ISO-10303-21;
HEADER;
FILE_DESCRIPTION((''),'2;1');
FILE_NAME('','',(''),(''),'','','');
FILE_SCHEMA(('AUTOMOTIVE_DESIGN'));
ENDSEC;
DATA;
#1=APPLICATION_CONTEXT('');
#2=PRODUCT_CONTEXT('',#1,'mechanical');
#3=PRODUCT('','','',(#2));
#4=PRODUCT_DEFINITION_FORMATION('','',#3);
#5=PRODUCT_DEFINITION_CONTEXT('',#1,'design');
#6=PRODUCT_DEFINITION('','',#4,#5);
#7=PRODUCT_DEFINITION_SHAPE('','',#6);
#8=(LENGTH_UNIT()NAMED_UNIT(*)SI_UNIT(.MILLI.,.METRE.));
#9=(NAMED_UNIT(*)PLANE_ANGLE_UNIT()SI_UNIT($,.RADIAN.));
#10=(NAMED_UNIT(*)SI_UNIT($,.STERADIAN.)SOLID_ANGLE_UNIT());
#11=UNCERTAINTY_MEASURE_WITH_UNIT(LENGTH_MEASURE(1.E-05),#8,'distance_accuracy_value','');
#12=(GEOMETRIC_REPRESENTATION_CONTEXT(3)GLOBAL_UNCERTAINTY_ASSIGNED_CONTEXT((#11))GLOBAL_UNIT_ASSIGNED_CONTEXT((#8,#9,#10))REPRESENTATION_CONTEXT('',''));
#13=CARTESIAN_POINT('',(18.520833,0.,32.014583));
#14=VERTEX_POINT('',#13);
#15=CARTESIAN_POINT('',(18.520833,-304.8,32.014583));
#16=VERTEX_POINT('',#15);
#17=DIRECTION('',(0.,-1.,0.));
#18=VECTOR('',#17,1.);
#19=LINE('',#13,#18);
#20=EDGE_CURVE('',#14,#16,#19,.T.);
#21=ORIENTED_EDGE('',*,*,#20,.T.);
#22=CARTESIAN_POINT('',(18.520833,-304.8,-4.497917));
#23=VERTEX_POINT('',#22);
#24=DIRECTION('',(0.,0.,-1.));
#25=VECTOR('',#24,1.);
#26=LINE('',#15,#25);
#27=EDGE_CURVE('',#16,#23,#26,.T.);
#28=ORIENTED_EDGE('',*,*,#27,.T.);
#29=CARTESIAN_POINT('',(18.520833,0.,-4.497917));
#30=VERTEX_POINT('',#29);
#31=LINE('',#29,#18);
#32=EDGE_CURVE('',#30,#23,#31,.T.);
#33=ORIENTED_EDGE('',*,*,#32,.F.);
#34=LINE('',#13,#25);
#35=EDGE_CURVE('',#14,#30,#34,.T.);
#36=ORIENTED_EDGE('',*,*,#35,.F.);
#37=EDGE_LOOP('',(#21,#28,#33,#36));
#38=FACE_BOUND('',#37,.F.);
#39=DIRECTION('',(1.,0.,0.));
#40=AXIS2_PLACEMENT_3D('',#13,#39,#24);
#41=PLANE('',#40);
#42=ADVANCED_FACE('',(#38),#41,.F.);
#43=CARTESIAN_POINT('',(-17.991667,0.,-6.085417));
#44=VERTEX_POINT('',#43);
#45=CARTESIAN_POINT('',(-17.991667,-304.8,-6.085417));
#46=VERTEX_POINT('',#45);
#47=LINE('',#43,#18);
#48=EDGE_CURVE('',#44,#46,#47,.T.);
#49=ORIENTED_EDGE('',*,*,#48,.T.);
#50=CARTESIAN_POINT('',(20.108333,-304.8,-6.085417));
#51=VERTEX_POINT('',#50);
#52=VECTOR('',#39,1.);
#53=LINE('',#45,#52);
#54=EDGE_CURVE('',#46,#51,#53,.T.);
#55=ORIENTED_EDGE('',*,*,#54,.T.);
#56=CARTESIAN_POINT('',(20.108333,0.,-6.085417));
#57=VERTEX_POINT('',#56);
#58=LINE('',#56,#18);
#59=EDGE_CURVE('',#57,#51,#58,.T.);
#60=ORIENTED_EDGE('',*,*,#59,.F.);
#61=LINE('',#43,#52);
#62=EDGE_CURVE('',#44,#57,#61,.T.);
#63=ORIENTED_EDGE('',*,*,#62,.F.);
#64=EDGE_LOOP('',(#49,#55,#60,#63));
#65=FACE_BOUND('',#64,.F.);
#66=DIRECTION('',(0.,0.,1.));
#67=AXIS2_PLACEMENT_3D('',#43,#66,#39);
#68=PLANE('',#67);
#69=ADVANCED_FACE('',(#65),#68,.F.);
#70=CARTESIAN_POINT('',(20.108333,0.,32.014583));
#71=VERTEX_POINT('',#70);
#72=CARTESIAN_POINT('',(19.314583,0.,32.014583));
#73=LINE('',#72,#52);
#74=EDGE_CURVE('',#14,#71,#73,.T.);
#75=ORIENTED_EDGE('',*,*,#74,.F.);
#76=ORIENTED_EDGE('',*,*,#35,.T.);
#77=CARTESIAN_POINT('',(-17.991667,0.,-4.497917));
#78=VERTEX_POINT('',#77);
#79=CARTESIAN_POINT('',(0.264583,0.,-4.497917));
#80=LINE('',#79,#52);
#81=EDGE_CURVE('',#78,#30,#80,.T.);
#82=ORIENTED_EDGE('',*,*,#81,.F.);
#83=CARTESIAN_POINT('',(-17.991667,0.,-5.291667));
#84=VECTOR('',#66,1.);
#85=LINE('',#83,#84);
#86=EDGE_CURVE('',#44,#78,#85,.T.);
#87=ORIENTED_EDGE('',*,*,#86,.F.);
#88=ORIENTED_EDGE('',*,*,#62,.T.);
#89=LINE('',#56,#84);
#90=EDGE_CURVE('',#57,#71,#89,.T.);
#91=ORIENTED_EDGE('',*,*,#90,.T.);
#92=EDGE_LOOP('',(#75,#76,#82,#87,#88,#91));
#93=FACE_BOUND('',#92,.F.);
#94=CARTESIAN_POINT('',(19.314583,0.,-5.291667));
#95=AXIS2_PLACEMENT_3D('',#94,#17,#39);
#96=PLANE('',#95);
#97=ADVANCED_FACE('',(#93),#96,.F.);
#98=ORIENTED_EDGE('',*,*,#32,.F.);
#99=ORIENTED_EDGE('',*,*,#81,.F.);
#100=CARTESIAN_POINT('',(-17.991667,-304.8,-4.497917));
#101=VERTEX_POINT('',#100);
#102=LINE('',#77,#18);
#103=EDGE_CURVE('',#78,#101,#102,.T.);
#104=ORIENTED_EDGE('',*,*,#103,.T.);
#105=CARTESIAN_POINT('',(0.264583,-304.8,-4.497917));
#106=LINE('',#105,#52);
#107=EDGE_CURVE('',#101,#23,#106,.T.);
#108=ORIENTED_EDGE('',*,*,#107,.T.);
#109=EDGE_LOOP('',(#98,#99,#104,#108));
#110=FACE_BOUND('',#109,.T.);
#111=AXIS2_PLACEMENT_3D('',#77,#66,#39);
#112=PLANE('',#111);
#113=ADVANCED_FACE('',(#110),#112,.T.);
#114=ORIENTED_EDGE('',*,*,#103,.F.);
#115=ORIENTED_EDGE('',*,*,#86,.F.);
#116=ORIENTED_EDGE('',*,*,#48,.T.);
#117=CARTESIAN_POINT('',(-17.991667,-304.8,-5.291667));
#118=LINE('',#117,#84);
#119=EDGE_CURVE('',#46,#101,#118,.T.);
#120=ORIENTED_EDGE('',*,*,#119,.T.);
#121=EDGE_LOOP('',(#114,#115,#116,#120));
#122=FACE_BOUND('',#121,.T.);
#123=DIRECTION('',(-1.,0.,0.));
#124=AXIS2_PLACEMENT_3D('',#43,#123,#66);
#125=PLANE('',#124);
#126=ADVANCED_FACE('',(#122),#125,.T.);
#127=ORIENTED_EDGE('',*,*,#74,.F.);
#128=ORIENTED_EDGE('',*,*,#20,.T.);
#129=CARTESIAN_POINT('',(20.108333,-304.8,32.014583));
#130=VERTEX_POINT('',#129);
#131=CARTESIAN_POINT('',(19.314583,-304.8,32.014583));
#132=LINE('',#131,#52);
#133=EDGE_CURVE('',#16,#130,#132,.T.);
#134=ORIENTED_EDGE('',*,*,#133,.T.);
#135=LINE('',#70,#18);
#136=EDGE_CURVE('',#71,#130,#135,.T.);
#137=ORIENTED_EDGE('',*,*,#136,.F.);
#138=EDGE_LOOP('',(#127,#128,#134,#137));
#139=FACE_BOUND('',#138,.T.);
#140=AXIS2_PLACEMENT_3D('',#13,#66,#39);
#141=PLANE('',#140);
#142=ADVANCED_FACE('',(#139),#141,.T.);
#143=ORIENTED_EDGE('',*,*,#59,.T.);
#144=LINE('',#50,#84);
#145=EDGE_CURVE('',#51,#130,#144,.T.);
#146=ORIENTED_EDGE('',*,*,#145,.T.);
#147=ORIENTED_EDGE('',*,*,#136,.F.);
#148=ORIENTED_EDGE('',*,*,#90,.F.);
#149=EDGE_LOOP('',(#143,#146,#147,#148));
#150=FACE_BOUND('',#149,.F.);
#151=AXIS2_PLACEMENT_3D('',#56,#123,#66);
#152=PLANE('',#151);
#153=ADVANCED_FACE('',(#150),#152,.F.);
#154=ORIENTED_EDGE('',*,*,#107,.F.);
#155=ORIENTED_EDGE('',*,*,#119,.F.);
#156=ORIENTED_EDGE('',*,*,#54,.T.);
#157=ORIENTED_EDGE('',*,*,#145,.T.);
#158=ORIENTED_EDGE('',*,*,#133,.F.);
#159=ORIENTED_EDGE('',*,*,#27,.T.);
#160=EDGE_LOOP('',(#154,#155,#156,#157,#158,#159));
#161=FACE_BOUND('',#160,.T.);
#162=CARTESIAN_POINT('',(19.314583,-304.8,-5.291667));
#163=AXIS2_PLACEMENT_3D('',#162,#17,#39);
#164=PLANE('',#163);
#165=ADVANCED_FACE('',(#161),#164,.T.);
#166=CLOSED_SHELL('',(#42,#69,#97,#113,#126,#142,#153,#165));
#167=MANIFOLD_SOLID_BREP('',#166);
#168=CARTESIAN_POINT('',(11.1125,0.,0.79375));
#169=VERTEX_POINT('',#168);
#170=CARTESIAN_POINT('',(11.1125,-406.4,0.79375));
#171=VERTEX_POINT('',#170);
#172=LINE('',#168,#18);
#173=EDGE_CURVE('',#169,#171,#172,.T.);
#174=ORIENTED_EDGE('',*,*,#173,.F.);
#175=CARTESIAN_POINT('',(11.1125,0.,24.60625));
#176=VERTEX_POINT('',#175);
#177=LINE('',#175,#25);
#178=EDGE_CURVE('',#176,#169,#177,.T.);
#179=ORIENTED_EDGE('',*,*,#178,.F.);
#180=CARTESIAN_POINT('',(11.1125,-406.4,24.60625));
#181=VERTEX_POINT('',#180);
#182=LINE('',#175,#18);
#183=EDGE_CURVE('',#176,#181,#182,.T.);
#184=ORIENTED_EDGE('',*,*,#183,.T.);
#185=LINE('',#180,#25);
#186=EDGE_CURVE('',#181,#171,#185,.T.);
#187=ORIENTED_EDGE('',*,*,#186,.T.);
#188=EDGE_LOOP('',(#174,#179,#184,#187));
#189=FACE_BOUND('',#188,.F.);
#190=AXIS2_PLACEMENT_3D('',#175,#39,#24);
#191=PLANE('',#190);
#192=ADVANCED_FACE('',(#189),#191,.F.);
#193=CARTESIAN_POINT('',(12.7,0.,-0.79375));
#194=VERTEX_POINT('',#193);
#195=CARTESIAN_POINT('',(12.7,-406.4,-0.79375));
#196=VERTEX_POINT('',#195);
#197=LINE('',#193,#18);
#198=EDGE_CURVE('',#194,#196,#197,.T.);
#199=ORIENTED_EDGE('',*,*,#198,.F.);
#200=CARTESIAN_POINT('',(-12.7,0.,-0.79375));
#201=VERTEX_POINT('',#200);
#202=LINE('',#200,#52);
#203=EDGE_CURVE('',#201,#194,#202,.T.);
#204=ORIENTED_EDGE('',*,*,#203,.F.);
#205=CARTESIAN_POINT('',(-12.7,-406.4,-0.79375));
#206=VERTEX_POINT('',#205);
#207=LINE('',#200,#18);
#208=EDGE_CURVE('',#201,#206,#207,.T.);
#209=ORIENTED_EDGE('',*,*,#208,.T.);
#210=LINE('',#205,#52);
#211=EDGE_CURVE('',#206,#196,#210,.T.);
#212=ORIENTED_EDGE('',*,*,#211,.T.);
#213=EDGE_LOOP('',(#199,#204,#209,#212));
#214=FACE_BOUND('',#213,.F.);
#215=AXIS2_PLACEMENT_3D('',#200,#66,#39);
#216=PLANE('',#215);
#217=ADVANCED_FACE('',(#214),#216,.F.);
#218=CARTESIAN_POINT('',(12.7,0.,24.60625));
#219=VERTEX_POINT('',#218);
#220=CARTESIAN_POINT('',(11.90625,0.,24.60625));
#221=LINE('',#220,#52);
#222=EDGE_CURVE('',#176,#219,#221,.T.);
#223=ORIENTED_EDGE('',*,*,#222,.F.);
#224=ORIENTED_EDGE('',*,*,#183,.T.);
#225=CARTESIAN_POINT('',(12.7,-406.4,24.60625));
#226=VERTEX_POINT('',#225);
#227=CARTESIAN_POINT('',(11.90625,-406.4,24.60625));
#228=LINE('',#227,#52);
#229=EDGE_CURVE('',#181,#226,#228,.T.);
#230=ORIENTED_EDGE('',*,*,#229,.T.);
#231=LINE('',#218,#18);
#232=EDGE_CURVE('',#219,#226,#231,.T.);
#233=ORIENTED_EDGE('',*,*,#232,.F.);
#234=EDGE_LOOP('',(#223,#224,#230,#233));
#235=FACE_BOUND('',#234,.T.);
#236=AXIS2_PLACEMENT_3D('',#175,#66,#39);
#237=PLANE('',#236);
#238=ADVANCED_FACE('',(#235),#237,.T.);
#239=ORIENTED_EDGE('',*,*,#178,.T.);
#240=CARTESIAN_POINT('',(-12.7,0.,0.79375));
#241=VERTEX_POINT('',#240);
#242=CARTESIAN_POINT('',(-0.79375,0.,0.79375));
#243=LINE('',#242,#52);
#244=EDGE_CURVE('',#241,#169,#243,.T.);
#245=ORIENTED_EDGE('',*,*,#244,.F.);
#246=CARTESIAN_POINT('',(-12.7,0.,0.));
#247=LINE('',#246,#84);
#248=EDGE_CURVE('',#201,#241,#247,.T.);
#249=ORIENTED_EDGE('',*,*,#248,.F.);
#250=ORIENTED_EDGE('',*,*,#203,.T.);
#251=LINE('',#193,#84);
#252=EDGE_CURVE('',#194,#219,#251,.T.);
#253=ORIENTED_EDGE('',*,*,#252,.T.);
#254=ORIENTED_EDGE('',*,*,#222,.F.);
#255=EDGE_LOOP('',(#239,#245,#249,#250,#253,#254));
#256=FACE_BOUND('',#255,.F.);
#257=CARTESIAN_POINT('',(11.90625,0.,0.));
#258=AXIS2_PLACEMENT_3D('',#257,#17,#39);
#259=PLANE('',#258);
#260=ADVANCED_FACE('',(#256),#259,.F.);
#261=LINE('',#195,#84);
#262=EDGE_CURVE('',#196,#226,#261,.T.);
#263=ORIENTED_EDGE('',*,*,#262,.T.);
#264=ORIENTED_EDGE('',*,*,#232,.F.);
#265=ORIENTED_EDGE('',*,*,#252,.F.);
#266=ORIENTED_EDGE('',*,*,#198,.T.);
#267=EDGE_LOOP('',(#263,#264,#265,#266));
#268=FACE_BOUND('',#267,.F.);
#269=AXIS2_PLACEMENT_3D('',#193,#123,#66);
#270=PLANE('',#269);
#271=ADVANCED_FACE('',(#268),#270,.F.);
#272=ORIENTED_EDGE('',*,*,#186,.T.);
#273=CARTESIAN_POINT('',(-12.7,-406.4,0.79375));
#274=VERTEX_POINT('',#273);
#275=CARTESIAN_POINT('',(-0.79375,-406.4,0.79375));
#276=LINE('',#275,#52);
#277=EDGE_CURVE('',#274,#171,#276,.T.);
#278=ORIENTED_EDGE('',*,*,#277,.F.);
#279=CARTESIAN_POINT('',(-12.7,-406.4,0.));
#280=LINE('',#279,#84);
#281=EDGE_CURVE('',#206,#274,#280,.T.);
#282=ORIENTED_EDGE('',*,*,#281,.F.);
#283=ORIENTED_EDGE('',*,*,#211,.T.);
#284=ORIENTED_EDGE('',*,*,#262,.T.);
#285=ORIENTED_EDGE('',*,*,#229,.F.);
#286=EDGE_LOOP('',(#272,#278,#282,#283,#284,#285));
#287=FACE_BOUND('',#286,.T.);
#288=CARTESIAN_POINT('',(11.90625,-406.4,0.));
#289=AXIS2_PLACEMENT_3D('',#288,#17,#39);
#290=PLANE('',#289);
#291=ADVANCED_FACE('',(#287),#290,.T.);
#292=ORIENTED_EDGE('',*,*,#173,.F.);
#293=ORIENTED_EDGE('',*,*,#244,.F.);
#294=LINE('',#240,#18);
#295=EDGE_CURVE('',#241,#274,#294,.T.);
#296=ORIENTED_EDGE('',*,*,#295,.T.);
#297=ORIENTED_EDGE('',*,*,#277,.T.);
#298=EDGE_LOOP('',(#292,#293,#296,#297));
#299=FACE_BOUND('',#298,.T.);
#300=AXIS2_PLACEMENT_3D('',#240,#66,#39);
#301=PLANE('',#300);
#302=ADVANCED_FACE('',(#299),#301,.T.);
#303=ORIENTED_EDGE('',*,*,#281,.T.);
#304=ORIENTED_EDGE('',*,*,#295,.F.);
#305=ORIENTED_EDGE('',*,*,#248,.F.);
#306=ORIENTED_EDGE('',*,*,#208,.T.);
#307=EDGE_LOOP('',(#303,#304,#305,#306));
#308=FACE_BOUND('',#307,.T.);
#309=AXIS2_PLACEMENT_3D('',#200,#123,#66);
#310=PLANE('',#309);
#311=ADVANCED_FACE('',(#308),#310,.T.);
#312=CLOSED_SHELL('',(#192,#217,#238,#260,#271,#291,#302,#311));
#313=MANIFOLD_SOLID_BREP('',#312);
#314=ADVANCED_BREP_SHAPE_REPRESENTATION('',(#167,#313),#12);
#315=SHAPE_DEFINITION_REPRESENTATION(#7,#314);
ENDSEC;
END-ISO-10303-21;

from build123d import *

# Parameters (mm, degrees)
F0_W     = 1.5875
F0_H     = 1.5875
F0_H_2   = 23.8125
F0_W_2   = 23.8125
F1_DEPTH = 406.4
F2_W     = 1.5875
F2_H     = 1.5875
F2_H_2   = 36.5125
F2_W_2   = 36.5125
F3_DEPTH = 304.8


with BuildPart() as f1:
    # F0 (on Front) → F1 (new body)
    with BuildSketch(Plane.XZ):
        with Locations((11.90625, 0)):
            Rectangle(F0_W, F0_H)
        with Locations((11.90625, 12.7)):
            Rectangle(F0_W, F0_H_2)
        with Locations((-0.79375, 0)):
            Rectangle(F0_W_2, F0_H)
    extrude(amount=F1_DEPTH)


with BuildPart() as f3:
    # F2 (on Front) → F3 (new body)
    with BuildSketch(Plane.XZ):
        with Locations((19.314583, -5.291667)):
            Rectangle(F2_W, F2_H)
        with Locations((19.314583, 13.758333)):
            Rectangle(F2_W, F2_H_2)
        with Locations((0.264583, -5.291667)):
            Rectangle(F2_W_2, F2_H)
    extrude(amount=F3_DEPTH)


solid = Compound([f1.part, f3.part])
